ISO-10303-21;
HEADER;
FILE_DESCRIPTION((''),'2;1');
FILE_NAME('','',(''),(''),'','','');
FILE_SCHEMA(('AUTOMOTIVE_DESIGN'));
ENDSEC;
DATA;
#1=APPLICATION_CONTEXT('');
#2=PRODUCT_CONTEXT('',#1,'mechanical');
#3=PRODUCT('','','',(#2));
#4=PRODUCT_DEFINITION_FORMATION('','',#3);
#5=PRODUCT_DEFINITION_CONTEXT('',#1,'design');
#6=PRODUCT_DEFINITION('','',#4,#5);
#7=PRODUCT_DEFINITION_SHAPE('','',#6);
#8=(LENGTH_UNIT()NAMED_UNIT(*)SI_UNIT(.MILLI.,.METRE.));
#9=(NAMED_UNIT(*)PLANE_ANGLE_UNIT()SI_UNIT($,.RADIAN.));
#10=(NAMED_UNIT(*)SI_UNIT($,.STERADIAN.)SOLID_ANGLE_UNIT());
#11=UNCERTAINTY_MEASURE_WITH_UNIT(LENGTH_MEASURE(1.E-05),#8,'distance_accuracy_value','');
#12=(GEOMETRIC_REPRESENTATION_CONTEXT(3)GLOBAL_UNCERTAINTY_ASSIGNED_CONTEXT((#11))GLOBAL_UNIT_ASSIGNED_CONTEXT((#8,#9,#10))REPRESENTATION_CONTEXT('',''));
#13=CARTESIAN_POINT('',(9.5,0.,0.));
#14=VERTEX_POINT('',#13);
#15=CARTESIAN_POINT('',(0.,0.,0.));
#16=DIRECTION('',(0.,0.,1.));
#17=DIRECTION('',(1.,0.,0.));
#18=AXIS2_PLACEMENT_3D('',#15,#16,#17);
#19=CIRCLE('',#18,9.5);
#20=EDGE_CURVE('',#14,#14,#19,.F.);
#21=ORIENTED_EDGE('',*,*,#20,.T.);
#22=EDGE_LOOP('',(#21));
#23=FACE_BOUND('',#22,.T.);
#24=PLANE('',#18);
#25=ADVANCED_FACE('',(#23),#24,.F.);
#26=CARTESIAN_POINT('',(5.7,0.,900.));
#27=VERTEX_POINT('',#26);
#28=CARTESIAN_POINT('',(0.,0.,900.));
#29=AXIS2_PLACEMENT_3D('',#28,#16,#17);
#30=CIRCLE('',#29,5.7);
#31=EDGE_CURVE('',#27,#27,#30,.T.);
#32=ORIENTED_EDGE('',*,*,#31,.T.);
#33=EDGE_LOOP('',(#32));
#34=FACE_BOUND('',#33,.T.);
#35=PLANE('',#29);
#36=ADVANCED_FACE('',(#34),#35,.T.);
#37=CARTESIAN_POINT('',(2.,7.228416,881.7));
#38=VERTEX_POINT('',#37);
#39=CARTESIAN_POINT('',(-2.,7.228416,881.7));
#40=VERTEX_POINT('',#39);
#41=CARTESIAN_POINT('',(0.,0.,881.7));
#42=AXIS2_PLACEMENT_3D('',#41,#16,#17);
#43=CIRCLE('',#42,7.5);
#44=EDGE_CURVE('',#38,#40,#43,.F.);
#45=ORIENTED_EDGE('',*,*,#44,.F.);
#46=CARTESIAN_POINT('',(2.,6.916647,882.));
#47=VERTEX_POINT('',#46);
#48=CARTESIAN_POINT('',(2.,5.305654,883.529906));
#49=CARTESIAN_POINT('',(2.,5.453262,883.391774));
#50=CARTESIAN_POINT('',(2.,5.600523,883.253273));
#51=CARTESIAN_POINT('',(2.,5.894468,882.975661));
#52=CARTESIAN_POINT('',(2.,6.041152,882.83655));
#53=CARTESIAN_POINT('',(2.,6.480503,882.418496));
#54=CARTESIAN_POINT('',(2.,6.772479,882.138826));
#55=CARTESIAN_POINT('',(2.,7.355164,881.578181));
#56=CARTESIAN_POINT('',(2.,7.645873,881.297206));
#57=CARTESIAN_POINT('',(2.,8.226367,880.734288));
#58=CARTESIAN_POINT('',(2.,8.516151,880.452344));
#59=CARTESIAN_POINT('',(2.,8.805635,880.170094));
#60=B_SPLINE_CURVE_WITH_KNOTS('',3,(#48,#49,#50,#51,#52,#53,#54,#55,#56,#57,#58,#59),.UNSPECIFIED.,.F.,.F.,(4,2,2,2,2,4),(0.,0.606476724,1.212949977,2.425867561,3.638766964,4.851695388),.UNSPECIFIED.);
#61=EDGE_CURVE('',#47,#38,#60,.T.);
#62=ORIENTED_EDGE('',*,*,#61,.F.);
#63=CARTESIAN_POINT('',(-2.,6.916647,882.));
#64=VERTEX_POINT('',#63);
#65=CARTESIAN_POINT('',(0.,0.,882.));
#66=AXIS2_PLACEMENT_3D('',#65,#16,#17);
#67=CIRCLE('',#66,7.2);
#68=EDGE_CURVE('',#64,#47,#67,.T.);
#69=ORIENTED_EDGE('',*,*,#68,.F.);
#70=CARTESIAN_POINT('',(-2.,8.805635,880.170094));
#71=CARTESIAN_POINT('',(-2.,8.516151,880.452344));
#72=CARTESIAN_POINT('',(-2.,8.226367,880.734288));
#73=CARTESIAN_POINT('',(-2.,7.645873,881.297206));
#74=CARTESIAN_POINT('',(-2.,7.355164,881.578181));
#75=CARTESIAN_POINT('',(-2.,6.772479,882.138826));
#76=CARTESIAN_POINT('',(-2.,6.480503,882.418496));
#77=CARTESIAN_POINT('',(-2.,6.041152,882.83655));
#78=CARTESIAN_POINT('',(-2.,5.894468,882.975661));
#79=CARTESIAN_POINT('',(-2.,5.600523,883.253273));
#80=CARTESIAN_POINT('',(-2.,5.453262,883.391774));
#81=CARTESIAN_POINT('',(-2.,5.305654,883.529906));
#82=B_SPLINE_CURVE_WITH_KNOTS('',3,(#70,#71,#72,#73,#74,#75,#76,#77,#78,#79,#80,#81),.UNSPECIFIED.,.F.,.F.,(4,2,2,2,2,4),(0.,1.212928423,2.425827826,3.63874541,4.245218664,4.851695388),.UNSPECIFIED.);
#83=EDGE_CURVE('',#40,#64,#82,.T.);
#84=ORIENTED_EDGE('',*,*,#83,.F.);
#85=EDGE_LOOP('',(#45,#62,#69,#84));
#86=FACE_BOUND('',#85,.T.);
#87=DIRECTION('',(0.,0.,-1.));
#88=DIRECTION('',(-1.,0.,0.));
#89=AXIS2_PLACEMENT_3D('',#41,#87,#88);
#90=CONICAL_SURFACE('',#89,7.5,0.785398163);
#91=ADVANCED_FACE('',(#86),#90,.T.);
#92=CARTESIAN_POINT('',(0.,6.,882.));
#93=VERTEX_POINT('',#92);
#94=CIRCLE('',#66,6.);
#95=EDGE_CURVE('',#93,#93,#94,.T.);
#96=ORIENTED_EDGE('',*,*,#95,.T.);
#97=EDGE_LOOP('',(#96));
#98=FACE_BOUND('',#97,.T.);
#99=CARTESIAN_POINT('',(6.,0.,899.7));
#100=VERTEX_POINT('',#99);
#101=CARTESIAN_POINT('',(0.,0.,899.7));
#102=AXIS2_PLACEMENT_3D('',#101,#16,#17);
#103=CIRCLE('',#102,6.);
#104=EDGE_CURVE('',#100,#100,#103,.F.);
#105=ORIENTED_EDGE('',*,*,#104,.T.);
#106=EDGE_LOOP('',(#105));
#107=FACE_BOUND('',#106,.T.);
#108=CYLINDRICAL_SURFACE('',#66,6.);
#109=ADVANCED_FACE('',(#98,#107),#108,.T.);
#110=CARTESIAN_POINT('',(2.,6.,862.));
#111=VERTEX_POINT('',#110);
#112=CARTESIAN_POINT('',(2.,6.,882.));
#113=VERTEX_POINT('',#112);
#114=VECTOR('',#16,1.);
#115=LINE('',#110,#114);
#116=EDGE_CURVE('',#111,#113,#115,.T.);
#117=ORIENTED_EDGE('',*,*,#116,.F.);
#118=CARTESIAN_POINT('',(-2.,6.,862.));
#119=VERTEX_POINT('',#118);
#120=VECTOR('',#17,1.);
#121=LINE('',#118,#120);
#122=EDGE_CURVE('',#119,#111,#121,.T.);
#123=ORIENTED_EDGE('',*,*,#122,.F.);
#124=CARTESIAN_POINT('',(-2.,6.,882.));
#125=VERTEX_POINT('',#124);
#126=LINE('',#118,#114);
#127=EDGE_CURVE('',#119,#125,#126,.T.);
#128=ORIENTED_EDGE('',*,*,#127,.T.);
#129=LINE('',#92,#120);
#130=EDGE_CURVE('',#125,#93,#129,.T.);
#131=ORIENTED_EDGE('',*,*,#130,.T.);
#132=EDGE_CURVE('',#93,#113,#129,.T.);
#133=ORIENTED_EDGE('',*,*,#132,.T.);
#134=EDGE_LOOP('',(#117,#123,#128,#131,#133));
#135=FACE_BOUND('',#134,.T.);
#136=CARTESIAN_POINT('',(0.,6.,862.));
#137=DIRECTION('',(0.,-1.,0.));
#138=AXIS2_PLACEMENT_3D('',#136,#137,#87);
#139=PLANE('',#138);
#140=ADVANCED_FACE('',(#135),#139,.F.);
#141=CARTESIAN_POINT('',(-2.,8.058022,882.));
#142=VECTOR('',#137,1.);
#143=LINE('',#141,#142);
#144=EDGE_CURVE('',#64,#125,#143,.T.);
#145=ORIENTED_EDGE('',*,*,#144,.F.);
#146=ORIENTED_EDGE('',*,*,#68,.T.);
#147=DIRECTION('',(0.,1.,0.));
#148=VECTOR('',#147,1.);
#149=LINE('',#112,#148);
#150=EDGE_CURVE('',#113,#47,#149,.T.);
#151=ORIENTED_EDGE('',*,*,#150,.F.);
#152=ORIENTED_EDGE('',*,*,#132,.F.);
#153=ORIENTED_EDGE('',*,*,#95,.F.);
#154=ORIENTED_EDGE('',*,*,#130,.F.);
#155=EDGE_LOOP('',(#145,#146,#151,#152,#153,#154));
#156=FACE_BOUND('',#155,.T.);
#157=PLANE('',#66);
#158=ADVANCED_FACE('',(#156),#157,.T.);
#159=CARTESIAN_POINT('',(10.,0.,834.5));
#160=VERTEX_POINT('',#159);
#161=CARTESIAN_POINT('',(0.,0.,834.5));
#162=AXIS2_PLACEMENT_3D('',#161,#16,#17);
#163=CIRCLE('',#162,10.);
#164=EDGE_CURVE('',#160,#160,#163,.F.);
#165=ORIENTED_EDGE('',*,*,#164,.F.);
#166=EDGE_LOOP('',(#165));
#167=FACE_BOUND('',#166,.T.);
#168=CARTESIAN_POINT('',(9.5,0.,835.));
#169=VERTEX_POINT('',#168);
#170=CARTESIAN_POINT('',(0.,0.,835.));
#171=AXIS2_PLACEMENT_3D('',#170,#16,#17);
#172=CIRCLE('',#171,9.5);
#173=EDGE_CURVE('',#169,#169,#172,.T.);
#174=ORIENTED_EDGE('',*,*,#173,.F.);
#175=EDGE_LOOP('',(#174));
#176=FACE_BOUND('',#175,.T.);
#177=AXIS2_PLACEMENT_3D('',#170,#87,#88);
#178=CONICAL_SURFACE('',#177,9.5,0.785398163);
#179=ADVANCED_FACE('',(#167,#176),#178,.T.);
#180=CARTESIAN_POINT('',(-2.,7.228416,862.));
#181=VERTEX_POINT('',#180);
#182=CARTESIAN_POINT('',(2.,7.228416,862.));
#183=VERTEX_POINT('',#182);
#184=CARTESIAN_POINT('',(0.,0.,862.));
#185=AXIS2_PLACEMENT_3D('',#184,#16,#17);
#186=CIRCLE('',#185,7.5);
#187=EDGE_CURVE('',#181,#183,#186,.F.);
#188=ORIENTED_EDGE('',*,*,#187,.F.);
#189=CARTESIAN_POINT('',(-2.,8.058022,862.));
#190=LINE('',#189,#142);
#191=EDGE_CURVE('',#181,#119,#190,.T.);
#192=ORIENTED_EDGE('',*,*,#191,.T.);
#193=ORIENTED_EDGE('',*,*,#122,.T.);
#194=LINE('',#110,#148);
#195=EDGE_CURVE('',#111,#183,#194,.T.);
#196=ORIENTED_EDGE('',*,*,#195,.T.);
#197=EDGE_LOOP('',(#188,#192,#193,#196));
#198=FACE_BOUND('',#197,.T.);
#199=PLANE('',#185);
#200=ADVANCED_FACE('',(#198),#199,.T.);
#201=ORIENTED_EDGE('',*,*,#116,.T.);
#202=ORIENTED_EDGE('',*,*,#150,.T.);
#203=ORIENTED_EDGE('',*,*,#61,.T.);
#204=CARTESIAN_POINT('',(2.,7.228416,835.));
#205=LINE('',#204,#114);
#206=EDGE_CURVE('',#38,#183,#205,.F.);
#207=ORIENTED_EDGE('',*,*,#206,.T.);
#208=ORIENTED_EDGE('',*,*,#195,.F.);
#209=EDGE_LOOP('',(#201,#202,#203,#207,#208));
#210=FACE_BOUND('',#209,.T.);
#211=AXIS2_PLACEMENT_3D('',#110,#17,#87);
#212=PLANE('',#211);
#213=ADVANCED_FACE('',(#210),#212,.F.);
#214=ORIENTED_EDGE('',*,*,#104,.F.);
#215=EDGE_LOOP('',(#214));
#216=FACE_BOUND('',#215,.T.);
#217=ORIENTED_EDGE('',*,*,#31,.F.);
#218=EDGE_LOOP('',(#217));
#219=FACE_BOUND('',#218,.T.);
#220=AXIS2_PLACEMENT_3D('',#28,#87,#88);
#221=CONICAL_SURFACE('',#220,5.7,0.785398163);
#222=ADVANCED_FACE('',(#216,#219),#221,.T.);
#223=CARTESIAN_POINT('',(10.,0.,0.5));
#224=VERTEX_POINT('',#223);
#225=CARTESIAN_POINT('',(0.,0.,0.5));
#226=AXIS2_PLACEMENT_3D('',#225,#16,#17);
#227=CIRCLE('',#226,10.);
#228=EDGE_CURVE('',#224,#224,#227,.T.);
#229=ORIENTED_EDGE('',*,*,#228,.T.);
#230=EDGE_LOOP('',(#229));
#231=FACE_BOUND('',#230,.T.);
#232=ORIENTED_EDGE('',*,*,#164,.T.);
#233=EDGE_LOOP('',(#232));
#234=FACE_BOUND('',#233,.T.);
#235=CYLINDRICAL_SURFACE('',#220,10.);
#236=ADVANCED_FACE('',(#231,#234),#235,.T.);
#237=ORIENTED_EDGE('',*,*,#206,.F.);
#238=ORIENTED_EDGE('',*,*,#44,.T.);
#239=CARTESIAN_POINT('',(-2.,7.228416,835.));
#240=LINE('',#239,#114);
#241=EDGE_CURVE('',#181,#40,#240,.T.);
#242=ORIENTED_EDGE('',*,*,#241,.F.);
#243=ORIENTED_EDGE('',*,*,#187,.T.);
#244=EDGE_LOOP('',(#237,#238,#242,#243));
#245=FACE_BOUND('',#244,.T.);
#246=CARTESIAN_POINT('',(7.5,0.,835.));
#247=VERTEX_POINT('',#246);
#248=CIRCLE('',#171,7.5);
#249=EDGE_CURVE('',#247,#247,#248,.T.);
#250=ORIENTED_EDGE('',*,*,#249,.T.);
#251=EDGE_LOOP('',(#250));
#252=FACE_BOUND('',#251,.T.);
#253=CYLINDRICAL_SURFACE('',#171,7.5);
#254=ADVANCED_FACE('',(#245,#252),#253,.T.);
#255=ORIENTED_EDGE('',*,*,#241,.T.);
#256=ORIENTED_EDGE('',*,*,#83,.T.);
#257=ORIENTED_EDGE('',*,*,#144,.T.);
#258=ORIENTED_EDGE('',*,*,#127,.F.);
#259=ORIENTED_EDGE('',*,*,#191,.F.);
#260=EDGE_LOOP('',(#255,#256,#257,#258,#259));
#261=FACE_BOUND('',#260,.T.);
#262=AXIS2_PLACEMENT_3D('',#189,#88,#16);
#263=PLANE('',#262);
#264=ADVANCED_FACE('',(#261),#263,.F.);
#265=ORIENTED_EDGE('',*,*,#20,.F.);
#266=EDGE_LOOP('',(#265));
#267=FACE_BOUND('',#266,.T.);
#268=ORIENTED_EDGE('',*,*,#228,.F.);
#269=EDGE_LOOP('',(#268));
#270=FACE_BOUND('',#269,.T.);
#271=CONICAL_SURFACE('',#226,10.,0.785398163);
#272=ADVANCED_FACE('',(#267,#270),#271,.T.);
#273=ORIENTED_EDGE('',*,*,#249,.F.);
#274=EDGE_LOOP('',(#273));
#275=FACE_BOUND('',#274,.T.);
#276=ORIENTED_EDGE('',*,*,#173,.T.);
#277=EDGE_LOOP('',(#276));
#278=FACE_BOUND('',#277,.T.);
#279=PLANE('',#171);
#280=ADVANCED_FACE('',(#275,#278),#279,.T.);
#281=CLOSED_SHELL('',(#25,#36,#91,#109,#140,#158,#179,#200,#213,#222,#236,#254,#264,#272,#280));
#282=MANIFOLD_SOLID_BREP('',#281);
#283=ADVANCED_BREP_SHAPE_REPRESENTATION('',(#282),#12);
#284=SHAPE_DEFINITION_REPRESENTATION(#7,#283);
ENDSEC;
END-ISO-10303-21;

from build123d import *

# Parameters (mm, degrees)
SZKIC1_R                    = 10
DODANIE_WYCI_GNI_CIE1_DEPTH = 900
SZKIC2_R                    = 10
SZKIC2_R_2                  = 7.5
WYTNIJ_WYCI_GNI_CIE1_DEPTH  = 65
SZKIC3_R                    = 10
SZKIC3_R_2                  = 6
WYTNIJ_WYCI_GNI_CIE2_DEPTH  = 18
SFAZOWANIE1_SIZE            = 0.5
SFAZOWANIE2_SIZE            = 0.3
SFAZOWANIE3_SIZE            = 0.5
WYTNIJ_WYCI_GNI_CIE3_DEPTH  = 20


with BuildPart() as part:
    # Szkic1 → Dodanie-wyciągnięcie1 (new body)
    with BuildSketch(Plane.XY):
        Circle(SZKIC1_R)
    extrude(amount=DODANIE_WYCI_GNI_CIE1_DEPTH)

    # Szkic2 → Wytnij-wyciągnięcie1 (cut)
    with BuildSketch(Plane.XY.offset(900)):
        Circle(SZKIC2_R)
        Circle(SZKIC2_R_2, mode=Mode.SUBTRACT)
    extrude(amount=-WYTNIJ_WYCI_GNI_CIE1_DEPTH, mode=Mode.SUBTRACT)

    # Szkic3 → Wytnij-wyciągnięcie2 (cut)
    with BuildSketch(Plane.XY.offset(900)):
        Circle(SZKIC3_R)
        Circle(SZKIC3_R_2, mode=Mode.SUBTRACT)
    extrude(amount=-WYTNIJ_WYCI_GNI_CIE2_DEPTH, mode=Mode.SUBTRACT)

    # Sfazowanie1
    sfazowanie1_edges = [part.edges().sort_by_distance(p)[0] for p in [
        (-10, 0, 835),
    ]]
    chamfer(sfazowanie1_edges, length=SFAZOWANIE1_SIZE)

    # Sfazowanie2
    sfazowanie2_edges = [part.edges().sort_by_distance(p)[0] for p in [
        (-7.5, 0, 882),
        (-6, 0, 900),
    ]]
    chamfer(sfazowanie2_edges, length=SFAZOWANIE2_SIZE)

    # Sfazowanie3
    sfazowanie3_edges = [part.edges().sort_by_distance(p)[0] for p in [
        (-10, 0, 0),
    ]]
    chamfer(sfazowanie3_edges, length=SFAZOWANIE3_SIZE)

    # Szkic4 → Wytnij-wyciągnięcie3 (cut)
    with BuildSketch(Plane.XY.offset(882)):
        Polygon((0, 6), (2, 6), (2, 8.058022447), (-2, 8.058022447), (-2, 6), align=None)
    extrude(amount=-WYTNIJ_WYCI_GNI_CIE3_DEPTH, mode=Mode.SUBTRACT)


solid = part.part
